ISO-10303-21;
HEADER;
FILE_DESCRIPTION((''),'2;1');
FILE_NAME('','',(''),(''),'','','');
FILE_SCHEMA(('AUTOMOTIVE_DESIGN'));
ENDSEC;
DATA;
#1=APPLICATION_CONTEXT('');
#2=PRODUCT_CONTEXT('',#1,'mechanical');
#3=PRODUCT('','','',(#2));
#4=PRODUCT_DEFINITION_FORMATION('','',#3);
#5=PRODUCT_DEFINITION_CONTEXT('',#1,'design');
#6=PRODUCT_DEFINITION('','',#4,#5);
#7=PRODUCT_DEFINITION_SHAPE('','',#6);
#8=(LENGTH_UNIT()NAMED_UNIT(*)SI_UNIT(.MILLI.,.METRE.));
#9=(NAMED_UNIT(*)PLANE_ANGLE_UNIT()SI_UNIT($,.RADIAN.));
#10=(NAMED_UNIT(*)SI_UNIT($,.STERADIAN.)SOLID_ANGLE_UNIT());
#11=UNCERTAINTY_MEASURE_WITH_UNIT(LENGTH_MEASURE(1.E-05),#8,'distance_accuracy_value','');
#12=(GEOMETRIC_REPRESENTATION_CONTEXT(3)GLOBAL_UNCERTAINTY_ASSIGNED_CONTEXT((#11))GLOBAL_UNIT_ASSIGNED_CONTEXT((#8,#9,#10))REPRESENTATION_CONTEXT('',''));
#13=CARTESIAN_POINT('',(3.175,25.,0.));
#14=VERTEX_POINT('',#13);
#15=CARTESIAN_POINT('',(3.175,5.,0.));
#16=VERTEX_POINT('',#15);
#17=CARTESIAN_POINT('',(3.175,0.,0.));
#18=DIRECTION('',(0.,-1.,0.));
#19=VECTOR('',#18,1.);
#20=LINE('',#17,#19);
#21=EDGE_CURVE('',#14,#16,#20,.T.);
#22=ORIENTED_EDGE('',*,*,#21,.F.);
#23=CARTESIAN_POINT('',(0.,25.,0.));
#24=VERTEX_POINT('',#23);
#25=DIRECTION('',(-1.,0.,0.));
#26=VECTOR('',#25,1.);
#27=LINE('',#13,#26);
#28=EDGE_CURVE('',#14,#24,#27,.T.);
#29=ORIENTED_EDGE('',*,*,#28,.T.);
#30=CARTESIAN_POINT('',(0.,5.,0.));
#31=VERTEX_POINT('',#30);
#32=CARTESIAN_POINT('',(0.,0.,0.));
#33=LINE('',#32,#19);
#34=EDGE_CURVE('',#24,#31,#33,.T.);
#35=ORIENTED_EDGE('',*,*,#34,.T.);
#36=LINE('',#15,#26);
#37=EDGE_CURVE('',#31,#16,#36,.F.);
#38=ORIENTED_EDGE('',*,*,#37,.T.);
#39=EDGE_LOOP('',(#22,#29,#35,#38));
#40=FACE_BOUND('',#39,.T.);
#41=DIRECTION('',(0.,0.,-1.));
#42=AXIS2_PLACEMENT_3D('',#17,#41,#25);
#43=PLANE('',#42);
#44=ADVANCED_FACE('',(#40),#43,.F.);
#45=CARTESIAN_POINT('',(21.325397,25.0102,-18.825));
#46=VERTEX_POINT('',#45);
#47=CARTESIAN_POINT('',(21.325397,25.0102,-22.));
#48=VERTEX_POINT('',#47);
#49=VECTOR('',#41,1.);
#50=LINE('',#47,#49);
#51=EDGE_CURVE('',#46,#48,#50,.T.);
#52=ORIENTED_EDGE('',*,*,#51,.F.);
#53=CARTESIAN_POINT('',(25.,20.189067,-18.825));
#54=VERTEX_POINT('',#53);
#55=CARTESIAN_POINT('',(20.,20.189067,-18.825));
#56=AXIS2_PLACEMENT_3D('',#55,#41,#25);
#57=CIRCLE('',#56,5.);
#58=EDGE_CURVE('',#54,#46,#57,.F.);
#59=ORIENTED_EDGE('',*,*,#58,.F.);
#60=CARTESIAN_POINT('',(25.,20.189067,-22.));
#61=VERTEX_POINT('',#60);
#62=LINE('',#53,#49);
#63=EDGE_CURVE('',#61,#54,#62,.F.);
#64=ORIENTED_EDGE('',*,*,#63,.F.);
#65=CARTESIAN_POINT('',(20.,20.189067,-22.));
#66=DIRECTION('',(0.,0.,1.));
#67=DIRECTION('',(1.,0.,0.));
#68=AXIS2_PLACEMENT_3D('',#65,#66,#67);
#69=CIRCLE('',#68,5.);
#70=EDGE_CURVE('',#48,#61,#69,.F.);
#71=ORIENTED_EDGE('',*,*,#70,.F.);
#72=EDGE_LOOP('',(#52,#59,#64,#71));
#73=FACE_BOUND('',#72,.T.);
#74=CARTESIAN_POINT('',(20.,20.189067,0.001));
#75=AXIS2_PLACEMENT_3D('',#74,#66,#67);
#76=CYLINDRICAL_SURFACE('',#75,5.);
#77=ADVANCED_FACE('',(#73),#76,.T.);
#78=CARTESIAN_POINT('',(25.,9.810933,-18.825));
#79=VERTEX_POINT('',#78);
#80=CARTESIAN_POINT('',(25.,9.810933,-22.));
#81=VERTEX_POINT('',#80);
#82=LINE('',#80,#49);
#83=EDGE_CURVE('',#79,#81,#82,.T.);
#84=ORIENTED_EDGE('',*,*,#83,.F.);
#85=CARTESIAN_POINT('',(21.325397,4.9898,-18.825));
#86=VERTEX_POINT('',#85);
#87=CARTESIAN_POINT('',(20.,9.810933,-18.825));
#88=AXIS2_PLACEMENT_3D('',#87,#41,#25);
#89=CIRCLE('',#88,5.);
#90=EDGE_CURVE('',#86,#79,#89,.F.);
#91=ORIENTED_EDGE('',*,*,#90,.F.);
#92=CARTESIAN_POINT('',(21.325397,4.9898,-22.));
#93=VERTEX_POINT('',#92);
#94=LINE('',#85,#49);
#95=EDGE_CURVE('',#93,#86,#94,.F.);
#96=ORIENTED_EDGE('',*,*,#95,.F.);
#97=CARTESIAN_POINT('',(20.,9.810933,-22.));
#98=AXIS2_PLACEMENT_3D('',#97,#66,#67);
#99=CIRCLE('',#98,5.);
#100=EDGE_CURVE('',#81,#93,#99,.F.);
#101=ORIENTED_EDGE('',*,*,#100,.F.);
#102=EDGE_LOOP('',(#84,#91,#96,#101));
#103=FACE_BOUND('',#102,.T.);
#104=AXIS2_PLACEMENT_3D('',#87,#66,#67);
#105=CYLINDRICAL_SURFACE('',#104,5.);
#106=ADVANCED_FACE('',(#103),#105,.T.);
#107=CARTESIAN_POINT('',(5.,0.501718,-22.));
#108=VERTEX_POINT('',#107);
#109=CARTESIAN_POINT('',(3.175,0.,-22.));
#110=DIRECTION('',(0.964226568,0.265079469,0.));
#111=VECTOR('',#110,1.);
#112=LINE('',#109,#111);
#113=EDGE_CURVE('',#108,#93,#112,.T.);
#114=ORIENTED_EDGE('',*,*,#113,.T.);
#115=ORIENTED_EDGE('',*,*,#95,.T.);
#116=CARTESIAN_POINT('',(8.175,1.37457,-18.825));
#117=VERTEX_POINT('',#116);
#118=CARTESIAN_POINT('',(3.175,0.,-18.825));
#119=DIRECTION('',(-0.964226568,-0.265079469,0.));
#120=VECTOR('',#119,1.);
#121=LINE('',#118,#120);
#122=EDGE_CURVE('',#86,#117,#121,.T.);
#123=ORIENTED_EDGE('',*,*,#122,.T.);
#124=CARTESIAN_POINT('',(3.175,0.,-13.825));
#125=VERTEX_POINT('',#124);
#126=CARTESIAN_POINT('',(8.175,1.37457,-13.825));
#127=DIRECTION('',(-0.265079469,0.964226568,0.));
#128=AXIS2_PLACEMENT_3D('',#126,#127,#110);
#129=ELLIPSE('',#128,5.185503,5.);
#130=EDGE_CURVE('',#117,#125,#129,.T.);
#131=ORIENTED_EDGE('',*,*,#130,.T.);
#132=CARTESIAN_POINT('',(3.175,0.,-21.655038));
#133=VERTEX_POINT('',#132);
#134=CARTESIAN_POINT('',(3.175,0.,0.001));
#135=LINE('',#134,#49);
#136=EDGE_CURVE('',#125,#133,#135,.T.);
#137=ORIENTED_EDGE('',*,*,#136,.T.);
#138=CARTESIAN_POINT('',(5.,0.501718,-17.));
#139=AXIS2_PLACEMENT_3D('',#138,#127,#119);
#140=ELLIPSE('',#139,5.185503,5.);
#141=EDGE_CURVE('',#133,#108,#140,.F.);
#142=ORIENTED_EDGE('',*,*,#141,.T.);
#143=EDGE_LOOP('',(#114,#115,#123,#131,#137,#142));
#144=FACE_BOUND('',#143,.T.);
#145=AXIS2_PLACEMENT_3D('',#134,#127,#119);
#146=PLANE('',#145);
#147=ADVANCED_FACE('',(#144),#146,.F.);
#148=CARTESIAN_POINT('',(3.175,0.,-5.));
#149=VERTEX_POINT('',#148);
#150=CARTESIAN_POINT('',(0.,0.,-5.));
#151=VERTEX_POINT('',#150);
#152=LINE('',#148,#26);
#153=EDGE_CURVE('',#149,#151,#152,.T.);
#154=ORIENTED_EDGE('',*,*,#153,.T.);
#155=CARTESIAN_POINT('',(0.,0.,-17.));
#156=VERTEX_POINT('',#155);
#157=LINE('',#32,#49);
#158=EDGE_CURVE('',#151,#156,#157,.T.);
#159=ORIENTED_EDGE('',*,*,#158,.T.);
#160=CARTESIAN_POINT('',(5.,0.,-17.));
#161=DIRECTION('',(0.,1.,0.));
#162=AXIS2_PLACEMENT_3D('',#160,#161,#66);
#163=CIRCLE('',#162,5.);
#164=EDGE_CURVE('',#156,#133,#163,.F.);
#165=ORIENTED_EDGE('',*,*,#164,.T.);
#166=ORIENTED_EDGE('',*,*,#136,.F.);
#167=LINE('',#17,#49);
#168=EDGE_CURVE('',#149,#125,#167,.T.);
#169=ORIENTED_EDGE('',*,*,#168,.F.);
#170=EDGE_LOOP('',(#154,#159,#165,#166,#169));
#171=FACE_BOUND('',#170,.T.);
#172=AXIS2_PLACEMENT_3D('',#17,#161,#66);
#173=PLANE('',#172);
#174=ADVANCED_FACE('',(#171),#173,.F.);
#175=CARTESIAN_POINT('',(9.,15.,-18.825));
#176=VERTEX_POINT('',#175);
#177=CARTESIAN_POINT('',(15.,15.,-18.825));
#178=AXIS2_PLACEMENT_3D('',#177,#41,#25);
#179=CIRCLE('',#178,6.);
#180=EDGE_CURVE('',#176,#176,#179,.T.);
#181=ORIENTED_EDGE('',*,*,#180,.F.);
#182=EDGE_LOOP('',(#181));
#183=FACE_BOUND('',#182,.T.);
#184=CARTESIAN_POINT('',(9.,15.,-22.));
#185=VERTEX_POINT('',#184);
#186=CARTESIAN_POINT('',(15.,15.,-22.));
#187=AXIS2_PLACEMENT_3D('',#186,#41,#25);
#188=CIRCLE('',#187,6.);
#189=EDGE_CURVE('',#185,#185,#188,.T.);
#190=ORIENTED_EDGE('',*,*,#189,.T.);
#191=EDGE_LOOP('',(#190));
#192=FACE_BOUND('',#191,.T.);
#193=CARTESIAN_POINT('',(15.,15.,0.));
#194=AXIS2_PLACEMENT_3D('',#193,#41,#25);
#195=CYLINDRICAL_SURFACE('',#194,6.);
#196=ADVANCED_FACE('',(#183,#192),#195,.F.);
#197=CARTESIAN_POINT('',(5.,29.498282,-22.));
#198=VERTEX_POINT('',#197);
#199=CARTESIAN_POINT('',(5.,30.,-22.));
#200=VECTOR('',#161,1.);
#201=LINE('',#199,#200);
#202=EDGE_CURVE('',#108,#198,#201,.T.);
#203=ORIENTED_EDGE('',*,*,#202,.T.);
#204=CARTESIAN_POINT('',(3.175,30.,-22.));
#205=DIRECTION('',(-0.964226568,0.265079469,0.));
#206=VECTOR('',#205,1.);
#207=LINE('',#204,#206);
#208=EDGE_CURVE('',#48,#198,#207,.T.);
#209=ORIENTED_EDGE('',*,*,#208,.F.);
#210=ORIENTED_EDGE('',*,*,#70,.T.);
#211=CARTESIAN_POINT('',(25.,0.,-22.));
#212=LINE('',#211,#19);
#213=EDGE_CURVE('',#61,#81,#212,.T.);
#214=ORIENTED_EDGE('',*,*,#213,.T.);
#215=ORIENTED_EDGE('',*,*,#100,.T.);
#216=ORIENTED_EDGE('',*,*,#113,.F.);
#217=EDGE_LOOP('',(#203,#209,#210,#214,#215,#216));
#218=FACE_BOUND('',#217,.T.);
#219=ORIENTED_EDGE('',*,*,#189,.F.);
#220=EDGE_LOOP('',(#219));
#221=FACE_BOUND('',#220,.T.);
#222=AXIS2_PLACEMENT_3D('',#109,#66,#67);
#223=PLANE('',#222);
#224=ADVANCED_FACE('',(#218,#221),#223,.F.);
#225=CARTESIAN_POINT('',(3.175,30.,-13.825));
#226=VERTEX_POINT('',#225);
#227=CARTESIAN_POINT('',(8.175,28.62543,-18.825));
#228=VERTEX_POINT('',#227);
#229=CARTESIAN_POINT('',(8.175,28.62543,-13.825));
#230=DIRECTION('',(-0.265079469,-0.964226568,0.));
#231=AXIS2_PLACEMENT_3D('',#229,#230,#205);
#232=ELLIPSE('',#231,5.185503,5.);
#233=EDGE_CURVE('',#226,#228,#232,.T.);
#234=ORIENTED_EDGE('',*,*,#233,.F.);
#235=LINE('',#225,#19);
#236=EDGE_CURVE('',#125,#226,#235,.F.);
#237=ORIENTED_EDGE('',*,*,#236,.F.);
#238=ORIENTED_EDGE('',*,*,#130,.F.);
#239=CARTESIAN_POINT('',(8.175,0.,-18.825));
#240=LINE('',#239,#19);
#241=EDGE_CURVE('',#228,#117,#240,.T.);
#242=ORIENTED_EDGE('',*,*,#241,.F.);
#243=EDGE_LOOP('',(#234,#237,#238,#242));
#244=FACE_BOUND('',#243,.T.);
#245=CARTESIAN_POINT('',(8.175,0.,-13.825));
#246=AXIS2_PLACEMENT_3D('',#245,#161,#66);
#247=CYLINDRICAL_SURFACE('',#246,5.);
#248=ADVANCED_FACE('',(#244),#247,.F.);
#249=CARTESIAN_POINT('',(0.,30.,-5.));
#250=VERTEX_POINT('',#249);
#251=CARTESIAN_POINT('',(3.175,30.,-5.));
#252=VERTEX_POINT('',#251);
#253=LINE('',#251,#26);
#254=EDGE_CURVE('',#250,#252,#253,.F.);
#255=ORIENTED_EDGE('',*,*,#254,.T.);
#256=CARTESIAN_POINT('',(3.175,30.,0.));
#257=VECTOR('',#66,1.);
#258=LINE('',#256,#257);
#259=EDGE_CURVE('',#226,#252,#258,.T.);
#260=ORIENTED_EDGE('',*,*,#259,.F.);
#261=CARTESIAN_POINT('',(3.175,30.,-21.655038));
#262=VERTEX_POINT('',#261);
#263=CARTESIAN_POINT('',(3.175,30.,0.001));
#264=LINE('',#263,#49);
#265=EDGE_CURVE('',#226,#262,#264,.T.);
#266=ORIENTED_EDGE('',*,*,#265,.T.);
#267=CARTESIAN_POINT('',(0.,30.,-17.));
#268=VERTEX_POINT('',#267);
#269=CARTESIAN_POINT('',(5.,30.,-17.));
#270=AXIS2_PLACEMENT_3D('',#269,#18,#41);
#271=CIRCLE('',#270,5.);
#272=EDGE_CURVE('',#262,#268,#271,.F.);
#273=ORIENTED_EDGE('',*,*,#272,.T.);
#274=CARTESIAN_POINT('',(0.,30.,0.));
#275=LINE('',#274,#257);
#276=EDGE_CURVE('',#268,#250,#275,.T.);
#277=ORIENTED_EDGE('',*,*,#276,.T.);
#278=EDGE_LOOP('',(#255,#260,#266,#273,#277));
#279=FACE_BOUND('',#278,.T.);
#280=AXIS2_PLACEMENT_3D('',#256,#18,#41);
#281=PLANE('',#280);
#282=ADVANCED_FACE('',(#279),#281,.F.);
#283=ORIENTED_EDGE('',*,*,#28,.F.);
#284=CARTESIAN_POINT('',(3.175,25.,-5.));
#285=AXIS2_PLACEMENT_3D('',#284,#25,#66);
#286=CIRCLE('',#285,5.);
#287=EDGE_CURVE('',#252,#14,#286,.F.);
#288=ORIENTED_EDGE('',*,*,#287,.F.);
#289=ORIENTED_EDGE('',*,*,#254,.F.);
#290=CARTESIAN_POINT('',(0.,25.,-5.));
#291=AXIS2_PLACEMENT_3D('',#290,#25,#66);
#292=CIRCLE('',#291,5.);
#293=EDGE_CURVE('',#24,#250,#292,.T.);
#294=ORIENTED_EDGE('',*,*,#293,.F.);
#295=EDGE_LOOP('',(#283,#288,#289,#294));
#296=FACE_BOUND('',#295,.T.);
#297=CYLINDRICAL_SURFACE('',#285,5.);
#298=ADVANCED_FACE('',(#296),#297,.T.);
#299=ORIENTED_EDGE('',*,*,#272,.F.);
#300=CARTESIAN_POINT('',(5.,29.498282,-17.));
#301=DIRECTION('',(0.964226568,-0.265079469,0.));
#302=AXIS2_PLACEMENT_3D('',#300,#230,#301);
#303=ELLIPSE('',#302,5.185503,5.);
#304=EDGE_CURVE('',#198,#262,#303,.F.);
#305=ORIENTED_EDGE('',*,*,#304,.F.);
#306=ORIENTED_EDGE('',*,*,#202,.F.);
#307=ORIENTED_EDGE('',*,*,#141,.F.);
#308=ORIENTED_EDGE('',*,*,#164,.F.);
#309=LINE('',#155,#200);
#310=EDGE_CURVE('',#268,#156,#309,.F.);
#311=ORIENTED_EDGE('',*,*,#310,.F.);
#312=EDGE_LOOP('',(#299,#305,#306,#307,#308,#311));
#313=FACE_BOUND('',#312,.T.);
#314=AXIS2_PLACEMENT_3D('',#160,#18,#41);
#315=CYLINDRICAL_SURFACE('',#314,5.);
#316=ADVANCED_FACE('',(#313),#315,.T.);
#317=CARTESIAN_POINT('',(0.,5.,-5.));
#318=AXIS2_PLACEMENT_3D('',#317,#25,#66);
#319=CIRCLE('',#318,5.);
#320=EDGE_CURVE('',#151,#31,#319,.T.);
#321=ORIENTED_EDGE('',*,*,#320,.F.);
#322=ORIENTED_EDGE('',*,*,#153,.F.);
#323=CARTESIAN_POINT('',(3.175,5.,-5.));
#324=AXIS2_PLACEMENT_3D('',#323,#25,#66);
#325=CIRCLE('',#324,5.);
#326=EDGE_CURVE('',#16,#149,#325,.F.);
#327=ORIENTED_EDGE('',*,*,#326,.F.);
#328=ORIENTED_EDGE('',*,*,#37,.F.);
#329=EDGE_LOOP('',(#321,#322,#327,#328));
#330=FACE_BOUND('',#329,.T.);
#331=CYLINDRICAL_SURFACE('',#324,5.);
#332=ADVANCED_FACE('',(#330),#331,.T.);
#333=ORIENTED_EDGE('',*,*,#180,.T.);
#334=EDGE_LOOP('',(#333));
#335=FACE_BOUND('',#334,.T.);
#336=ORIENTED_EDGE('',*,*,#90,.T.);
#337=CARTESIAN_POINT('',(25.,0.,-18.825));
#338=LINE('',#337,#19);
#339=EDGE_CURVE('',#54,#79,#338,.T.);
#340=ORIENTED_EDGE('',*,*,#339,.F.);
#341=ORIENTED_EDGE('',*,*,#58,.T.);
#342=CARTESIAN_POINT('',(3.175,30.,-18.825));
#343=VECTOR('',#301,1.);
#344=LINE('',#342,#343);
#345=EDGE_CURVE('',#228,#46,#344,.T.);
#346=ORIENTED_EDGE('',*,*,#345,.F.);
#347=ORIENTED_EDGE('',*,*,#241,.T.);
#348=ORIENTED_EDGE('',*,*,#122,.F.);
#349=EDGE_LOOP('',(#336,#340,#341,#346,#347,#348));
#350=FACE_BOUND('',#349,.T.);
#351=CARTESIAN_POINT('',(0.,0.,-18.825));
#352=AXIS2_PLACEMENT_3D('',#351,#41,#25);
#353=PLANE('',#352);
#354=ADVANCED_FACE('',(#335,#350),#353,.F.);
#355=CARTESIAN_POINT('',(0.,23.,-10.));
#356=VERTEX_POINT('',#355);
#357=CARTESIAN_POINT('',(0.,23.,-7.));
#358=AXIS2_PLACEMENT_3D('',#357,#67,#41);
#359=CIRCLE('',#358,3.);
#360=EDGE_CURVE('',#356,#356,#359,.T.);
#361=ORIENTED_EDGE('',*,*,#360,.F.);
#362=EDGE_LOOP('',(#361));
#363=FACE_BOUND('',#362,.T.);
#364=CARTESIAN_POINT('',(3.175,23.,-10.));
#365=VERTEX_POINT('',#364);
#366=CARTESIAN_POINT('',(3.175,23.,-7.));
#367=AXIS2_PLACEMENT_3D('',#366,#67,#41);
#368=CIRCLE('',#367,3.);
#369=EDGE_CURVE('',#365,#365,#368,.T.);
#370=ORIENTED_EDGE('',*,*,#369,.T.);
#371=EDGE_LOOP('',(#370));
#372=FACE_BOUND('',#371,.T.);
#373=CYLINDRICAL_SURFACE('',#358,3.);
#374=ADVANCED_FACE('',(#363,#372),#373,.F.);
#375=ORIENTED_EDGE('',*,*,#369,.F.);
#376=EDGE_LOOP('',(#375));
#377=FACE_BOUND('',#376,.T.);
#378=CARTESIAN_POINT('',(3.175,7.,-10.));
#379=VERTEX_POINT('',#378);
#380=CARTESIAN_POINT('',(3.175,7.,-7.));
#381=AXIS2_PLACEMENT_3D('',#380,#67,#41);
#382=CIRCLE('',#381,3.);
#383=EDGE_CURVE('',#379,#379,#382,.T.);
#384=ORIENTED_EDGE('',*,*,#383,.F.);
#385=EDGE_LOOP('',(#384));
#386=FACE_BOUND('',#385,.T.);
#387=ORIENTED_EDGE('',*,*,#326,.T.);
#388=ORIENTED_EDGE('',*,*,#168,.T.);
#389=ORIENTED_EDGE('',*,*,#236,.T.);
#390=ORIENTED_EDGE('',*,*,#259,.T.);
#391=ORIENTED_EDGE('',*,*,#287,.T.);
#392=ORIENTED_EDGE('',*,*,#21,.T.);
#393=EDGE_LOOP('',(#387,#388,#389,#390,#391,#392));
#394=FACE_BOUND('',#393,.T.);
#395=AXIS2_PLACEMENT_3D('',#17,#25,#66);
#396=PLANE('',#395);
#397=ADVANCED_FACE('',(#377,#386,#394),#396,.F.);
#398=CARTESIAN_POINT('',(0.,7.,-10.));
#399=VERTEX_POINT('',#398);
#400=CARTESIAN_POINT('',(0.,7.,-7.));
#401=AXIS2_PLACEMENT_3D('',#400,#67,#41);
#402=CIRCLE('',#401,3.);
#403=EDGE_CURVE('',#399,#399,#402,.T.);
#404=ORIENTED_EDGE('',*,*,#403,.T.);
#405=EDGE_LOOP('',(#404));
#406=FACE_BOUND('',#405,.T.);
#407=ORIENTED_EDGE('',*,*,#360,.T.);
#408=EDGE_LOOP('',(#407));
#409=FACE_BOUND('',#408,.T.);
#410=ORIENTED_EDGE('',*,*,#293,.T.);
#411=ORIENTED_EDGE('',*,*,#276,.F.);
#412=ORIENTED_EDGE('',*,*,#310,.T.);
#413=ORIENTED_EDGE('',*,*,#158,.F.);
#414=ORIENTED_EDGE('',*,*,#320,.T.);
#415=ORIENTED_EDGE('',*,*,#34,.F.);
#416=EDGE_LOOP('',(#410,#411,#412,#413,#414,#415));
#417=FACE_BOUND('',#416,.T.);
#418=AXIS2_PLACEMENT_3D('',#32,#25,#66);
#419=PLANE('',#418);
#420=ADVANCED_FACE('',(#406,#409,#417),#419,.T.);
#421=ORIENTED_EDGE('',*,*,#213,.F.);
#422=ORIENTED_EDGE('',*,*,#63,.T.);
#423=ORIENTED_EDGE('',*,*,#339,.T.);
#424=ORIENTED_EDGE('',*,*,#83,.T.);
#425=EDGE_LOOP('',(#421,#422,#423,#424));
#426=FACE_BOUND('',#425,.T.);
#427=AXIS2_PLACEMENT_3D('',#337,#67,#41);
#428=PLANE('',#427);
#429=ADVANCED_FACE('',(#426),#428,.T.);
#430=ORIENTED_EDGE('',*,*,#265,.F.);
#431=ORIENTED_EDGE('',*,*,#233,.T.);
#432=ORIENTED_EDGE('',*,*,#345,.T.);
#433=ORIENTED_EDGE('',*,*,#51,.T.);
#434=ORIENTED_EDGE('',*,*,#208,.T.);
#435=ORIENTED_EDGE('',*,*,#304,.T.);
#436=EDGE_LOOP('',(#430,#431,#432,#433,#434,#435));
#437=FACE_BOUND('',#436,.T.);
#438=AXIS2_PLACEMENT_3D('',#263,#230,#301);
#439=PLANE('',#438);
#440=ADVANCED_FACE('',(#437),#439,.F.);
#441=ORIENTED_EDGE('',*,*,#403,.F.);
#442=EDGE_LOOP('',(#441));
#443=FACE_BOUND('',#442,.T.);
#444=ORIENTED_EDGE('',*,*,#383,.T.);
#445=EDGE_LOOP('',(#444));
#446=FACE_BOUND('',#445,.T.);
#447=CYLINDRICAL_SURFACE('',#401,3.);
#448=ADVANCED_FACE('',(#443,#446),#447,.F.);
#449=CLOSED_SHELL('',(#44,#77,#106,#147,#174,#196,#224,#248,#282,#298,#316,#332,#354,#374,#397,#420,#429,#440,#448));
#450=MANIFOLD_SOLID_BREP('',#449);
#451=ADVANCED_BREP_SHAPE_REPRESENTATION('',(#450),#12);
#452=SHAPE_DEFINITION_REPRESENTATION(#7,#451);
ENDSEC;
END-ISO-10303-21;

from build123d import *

# Parameters (mm, degrees)
SKETCH1_W           = 22
SKETCH1_H           = 30
BOSS_EXTRUDE1_DEPTH = 3.175
SKETCH2_W           = 25
SKETCH2_H           = 30
BOSS_EXTRUDE2_DEPTH = 3.175
SKETCH3_R           = 6
CUT_EXTRUDE1_DEPTH  = 45.821869662
CUT_EXTRUDE4_REACH  = 46.822
FILLET1_R           = 5
SKETCH4_R           = 3
CUT_EXTRUDE2_DEPTH  = 44.131550227


with BuildPart() as part:
    # Sketch1 → Boss-Extrude1 (new body)
    with BuildSketch(Plane(origin=(0, 0, 0), x_dir=(0, 0, -1), z_dir=(1, 0, 0))):
        with Locations((11, 15)):
            Rectangle(SKETCH1_W, SKETCH1_H)
    extrude(amount=BOSS_EXTRUDE1_DEPTH)

    # Sketch2 → Boss-Extrude2 (add)
    with BuildSketch(Plane(origin=(0, 0, -22), x_dir=(-1, 0, 0), z_dir=(0, 0, -1))):
        with Locations((-12.5, 15)):
            Rectangle(SKETCH2_W, SKETCH2_H)
    extrude(amount=-BOSS_EXTRUDE2_DEPTH)

    # Sketch3 → Cut-Extrude1 (cut, through all)
    with BuildSketch(Plane(origin=(0, 0, -22), x_dir=(-1, 0, 0), z_dir=(0, 0, -1))):
        with Locations((-15, 15)):
            Circle(SKETCH3_R)
    extrude(amount=-CUT_EXTRUDE1_DEPTH, mode=Mode.SUBTRACT)

    # Sketch5 → Cut-Extrude4 (cut, up to next)
    with BuildSketch(Plane(origin=(0, 0, -22), x_dir=(-1, 0, 0), z_dir=(0, 0, -1)), mode=Mode.PRIVATE) as cut_extrude4_sk1:
        Polygon((-3.175, 30), (-25, 24), (-25, 30), align=None)
    cut_extrude4_tool1 = extrude(cut_extrude4_sk1.sketch, amount=-CUT_EXTRUDE4_REACH, mode=Mode.PRIVATE) & part.part
    # Sketch5 → Cut-Extrude4 (cut, up to next)
    with BuildSketch(Plane(origin=(0, 0, -22), x_dir=(-1, 0, 0), z_dir=(0, 0, -1)), mode=Mode.PRIVATE) as cut_extrude4_sk2:
        Polygon((-25, 0), (-3.175, 0), (-25, 6), align=None)
    cut_extrude4_tool2 = extrude(cut_extrude4_sk2.sketch, amount=-CUT_EXTRUDE4_REACH, mode=Mode.PRIVATE) & part.part
    add(cut_extrude4_tool1.solids().sort_by_distance((17.725, 28, -22))[0], mode=Mode.SUBTRACT)
    add(cut_extrude4_tool2.solids().sort_by_distance((17.725, 2, -22))[0], mode=Mode.SUBTRACT)

    # Fillet1
    fillet1_edges = [part.edges().sort_by_distance(p)[0] for p in [
        (1.5875, 30, 0),
        (1.5875, 0, 0),
        (0, 15, -22),
        (3.175, 15, -18.825),
        (25, 6, -20.4125),
        (25, 24, -20.4125),
    ]]
    fillet(fillet1_edges, radius=FILLET1_R)

    # Sketch4 → Cut-Extrude2 (cut, through all)
    with BuildSketch(Plane(origin=(3.175, 0, 0), x_dir=(0, 0, -1), z_dir=(1, 0, 0))):
        with Locations((7, 23)):
            Circle(SKETCH4_R)
        with Locations((7, 7)):
            Circle(SKETCH4_R)
    extrude(amount=-CUT_EXTRUDE2_DEPTH, mode=Mode.SUBTRACT)


solid = part.part
